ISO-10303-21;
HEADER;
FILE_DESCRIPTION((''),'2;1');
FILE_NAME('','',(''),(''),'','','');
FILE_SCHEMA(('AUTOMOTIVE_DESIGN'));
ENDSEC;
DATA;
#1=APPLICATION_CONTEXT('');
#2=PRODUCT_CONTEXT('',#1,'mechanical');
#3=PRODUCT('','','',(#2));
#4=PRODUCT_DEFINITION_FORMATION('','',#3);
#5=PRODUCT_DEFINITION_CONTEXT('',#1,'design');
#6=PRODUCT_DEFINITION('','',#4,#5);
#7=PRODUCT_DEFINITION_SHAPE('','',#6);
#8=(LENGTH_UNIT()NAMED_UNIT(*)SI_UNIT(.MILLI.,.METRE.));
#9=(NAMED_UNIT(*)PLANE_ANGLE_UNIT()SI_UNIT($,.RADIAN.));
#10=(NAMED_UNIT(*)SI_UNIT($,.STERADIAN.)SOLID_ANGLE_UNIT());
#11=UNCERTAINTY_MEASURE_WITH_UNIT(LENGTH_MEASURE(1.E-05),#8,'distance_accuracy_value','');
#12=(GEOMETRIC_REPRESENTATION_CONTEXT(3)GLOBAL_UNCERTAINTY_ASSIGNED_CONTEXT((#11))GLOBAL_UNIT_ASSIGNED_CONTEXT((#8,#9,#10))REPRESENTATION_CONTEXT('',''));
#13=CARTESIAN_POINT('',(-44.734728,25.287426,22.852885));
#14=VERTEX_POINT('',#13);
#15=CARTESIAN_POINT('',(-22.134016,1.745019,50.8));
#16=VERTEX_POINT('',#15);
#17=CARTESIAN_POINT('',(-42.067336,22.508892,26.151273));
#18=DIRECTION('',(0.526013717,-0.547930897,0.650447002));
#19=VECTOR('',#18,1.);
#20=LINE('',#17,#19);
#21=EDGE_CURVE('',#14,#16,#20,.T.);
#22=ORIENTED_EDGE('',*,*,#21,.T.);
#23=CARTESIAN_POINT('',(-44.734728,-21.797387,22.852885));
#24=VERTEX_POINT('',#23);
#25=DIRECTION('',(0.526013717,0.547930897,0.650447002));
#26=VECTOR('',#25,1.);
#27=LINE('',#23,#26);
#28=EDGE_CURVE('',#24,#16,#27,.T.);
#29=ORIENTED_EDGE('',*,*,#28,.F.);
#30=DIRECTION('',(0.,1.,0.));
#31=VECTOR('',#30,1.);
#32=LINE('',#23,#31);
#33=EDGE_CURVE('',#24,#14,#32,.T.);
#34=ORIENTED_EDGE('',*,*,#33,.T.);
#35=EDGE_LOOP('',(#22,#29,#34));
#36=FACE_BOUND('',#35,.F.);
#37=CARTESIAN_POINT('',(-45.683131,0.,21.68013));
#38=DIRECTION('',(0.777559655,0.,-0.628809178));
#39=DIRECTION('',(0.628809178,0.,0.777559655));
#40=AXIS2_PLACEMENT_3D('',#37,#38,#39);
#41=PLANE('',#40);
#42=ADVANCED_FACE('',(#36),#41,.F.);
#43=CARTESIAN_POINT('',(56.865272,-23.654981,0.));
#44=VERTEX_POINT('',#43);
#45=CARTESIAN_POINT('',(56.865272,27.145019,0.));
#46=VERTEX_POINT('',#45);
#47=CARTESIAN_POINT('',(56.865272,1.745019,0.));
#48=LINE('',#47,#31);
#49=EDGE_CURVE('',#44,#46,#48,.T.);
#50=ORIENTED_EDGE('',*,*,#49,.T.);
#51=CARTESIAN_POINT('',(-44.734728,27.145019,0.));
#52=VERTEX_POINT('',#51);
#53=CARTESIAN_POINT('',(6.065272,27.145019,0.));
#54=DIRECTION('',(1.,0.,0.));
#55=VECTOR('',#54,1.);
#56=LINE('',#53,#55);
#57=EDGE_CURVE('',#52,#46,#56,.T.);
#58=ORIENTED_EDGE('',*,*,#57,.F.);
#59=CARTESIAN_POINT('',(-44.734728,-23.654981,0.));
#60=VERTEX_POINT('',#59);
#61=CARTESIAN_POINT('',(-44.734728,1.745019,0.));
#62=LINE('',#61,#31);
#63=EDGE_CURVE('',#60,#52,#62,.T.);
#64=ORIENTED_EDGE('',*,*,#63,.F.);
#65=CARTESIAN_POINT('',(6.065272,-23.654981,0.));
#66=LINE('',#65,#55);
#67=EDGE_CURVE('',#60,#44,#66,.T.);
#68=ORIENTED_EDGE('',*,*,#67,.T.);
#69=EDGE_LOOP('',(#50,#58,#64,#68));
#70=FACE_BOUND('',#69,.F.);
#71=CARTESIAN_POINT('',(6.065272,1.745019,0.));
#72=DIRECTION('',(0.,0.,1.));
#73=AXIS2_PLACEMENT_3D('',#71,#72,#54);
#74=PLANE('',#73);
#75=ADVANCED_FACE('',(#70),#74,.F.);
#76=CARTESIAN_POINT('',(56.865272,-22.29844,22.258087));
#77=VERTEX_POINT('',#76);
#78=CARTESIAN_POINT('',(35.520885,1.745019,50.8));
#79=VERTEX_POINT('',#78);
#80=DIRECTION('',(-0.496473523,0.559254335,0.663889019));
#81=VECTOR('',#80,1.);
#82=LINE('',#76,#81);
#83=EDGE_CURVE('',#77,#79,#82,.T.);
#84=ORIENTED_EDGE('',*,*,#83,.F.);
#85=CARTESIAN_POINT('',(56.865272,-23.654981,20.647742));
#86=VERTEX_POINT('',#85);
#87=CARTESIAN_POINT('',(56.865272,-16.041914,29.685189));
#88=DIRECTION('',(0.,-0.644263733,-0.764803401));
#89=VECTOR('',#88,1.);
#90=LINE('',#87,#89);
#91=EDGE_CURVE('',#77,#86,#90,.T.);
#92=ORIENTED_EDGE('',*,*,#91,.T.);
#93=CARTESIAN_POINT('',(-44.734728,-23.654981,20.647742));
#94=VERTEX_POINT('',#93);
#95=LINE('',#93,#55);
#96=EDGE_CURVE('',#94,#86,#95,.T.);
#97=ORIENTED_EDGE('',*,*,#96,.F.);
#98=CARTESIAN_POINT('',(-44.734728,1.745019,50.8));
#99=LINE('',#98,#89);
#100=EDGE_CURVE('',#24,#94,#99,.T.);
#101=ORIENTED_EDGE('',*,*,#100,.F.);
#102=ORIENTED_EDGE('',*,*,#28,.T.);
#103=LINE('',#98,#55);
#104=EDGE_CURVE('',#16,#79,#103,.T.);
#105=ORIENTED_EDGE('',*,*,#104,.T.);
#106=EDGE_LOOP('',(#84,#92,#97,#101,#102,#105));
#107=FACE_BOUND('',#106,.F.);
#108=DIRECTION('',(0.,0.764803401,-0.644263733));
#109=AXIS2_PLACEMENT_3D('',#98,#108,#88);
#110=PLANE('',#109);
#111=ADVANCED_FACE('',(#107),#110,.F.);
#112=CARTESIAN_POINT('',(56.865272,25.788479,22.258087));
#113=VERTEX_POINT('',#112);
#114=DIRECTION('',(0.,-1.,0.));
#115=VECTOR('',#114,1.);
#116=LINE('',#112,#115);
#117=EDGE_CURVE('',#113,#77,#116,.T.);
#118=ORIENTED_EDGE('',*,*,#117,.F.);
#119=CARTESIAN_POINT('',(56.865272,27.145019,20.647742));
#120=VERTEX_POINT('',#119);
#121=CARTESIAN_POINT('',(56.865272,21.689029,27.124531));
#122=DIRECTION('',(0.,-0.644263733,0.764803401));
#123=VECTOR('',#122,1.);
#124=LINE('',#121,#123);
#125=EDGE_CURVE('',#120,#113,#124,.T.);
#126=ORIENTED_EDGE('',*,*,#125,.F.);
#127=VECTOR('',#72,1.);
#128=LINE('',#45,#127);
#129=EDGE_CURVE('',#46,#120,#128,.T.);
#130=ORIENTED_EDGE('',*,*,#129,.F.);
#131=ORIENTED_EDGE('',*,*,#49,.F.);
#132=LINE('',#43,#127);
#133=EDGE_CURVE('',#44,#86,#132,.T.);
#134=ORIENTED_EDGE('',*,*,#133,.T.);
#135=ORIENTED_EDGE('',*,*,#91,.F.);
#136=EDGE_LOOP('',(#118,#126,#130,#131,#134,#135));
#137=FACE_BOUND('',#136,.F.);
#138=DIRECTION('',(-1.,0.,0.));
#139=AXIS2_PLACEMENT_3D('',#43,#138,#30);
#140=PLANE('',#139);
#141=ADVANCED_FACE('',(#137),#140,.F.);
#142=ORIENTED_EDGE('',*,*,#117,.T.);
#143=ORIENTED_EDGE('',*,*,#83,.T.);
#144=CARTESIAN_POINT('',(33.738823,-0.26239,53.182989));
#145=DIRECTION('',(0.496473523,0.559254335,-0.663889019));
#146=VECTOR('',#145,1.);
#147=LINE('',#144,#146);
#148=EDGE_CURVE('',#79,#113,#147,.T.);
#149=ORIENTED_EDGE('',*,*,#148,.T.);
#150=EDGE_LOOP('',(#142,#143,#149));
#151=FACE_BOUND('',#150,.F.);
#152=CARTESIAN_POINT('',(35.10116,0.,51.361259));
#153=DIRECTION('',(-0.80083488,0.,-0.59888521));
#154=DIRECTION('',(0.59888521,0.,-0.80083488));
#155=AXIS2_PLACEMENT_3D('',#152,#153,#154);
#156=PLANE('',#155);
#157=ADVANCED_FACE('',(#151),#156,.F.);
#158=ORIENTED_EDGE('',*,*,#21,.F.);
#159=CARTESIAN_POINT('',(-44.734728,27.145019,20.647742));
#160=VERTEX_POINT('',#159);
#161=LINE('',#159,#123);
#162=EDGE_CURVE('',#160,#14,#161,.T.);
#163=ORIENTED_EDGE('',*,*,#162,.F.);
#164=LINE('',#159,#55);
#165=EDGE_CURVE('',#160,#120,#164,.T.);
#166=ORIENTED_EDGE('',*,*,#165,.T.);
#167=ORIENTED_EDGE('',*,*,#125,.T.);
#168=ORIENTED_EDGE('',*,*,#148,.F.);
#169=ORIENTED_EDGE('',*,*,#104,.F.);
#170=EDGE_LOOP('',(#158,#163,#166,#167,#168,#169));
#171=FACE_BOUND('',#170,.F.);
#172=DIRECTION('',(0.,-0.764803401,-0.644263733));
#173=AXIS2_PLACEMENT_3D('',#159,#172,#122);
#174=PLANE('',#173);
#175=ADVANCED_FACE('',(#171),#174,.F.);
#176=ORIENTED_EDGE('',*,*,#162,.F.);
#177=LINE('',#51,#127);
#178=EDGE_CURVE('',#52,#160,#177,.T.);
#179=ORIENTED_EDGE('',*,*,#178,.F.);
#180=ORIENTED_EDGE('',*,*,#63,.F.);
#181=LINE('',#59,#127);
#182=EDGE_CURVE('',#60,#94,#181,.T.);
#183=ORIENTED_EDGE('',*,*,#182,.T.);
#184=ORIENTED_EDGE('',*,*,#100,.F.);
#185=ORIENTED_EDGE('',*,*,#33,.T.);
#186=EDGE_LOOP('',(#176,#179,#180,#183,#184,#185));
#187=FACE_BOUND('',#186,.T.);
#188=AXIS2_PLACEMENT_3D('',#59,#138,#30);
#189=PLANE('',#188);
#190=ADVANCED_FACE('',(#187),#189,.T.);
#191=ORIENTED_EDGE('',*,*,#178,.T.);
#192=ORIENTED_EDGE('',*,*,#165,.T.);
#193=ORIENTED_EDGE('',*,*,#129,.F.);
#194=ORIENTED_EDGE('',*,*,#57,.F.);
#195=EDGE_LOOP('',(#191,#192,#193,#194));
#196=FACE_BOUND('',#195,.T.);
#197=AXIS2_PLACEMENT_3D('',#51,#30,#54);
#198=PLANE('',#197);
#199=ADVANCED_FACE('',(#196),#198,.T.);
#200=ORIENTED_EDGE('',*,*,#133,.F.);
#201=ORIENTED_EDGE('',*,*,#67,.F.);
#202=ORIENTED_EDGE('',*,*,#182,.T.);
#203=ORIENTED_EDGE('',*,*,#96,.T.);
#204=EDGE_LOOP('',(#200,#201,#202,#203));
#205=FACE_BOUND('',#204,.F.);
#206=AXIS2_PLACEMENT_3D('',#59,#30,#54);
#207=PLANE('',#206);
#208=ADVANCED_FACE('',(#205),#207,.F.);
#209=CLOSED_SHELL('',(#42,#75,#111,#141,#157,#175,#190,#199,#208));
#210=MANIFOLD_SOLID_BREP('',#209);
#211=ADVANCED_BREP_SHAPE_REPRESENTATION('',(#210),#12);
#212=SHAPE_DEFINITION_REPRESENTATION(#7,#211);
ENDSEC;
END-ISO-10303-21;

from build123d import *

# Parameters (mm, degrees)
F0_W     = 101.6
F0_H     = 50.8
F1_DEPTH = 50.8
F3_DEPTH = 115.824
F5_DEPTH = 33.528
F6_DEPTH = 41.402


with BuildPart() as f1:
    # F0 (on Top) → F1 (new body)
    with BuildSketch(Plane.XY):
        with Locations((6.0652717948, 1.7450194966)):
            Rectangle(F0_W, F0_H)
    extrude(amount=F1_DEPTH)

    # F2 (on face) → F3 (cut)
    with BuildSketch(Plane(origin=(-44.7347282052, 0, 0), x_dir=(0, -1, 0), z_dir=(-1, 0, 0))):
        Polygon((-27.1450194966, 20.6477418542), (-1.7450194966, 50.8), (-27.1450194966, 50.8), align=None)
        Polygon((23.6549805034, 50.8), (-1.7450194966, 50.8), (23.6549805034, 20.6477418542), align=None)
    extrude(amount=-F3_DEPTH, mode=Mode.SUBTRACT)

    # F4 (on Front) → F5 (cut)
    with BuildSketch(Plane.XZ):
        Polygon((-21.6801278293, 51.361259073), (-44.908836484, 51.361259073), (-45.6831306219, 21.680129692), align=None)
        Polygon((57.2974830866, 51.361259073), (35.1011604071, 51.361259073), (57.2974830866, 21.680129692), align=None)
    extrude(amount=-F5_DEPTH, mode=Mode.SUBTRACT)

    # F6 (cut): faces of the model
    f6_faces = [f1.faces().sort_by_distance(p)[0] for p in [
        (50.2668517161, 0, 39.9050242048),
        (-37.7595636519, 0, 40.1032904014),
    ]]
    extrude(f6_faces, amount=-F6_DEPTH, mode=Mode.SUBTRACT)


solid = f1.part
